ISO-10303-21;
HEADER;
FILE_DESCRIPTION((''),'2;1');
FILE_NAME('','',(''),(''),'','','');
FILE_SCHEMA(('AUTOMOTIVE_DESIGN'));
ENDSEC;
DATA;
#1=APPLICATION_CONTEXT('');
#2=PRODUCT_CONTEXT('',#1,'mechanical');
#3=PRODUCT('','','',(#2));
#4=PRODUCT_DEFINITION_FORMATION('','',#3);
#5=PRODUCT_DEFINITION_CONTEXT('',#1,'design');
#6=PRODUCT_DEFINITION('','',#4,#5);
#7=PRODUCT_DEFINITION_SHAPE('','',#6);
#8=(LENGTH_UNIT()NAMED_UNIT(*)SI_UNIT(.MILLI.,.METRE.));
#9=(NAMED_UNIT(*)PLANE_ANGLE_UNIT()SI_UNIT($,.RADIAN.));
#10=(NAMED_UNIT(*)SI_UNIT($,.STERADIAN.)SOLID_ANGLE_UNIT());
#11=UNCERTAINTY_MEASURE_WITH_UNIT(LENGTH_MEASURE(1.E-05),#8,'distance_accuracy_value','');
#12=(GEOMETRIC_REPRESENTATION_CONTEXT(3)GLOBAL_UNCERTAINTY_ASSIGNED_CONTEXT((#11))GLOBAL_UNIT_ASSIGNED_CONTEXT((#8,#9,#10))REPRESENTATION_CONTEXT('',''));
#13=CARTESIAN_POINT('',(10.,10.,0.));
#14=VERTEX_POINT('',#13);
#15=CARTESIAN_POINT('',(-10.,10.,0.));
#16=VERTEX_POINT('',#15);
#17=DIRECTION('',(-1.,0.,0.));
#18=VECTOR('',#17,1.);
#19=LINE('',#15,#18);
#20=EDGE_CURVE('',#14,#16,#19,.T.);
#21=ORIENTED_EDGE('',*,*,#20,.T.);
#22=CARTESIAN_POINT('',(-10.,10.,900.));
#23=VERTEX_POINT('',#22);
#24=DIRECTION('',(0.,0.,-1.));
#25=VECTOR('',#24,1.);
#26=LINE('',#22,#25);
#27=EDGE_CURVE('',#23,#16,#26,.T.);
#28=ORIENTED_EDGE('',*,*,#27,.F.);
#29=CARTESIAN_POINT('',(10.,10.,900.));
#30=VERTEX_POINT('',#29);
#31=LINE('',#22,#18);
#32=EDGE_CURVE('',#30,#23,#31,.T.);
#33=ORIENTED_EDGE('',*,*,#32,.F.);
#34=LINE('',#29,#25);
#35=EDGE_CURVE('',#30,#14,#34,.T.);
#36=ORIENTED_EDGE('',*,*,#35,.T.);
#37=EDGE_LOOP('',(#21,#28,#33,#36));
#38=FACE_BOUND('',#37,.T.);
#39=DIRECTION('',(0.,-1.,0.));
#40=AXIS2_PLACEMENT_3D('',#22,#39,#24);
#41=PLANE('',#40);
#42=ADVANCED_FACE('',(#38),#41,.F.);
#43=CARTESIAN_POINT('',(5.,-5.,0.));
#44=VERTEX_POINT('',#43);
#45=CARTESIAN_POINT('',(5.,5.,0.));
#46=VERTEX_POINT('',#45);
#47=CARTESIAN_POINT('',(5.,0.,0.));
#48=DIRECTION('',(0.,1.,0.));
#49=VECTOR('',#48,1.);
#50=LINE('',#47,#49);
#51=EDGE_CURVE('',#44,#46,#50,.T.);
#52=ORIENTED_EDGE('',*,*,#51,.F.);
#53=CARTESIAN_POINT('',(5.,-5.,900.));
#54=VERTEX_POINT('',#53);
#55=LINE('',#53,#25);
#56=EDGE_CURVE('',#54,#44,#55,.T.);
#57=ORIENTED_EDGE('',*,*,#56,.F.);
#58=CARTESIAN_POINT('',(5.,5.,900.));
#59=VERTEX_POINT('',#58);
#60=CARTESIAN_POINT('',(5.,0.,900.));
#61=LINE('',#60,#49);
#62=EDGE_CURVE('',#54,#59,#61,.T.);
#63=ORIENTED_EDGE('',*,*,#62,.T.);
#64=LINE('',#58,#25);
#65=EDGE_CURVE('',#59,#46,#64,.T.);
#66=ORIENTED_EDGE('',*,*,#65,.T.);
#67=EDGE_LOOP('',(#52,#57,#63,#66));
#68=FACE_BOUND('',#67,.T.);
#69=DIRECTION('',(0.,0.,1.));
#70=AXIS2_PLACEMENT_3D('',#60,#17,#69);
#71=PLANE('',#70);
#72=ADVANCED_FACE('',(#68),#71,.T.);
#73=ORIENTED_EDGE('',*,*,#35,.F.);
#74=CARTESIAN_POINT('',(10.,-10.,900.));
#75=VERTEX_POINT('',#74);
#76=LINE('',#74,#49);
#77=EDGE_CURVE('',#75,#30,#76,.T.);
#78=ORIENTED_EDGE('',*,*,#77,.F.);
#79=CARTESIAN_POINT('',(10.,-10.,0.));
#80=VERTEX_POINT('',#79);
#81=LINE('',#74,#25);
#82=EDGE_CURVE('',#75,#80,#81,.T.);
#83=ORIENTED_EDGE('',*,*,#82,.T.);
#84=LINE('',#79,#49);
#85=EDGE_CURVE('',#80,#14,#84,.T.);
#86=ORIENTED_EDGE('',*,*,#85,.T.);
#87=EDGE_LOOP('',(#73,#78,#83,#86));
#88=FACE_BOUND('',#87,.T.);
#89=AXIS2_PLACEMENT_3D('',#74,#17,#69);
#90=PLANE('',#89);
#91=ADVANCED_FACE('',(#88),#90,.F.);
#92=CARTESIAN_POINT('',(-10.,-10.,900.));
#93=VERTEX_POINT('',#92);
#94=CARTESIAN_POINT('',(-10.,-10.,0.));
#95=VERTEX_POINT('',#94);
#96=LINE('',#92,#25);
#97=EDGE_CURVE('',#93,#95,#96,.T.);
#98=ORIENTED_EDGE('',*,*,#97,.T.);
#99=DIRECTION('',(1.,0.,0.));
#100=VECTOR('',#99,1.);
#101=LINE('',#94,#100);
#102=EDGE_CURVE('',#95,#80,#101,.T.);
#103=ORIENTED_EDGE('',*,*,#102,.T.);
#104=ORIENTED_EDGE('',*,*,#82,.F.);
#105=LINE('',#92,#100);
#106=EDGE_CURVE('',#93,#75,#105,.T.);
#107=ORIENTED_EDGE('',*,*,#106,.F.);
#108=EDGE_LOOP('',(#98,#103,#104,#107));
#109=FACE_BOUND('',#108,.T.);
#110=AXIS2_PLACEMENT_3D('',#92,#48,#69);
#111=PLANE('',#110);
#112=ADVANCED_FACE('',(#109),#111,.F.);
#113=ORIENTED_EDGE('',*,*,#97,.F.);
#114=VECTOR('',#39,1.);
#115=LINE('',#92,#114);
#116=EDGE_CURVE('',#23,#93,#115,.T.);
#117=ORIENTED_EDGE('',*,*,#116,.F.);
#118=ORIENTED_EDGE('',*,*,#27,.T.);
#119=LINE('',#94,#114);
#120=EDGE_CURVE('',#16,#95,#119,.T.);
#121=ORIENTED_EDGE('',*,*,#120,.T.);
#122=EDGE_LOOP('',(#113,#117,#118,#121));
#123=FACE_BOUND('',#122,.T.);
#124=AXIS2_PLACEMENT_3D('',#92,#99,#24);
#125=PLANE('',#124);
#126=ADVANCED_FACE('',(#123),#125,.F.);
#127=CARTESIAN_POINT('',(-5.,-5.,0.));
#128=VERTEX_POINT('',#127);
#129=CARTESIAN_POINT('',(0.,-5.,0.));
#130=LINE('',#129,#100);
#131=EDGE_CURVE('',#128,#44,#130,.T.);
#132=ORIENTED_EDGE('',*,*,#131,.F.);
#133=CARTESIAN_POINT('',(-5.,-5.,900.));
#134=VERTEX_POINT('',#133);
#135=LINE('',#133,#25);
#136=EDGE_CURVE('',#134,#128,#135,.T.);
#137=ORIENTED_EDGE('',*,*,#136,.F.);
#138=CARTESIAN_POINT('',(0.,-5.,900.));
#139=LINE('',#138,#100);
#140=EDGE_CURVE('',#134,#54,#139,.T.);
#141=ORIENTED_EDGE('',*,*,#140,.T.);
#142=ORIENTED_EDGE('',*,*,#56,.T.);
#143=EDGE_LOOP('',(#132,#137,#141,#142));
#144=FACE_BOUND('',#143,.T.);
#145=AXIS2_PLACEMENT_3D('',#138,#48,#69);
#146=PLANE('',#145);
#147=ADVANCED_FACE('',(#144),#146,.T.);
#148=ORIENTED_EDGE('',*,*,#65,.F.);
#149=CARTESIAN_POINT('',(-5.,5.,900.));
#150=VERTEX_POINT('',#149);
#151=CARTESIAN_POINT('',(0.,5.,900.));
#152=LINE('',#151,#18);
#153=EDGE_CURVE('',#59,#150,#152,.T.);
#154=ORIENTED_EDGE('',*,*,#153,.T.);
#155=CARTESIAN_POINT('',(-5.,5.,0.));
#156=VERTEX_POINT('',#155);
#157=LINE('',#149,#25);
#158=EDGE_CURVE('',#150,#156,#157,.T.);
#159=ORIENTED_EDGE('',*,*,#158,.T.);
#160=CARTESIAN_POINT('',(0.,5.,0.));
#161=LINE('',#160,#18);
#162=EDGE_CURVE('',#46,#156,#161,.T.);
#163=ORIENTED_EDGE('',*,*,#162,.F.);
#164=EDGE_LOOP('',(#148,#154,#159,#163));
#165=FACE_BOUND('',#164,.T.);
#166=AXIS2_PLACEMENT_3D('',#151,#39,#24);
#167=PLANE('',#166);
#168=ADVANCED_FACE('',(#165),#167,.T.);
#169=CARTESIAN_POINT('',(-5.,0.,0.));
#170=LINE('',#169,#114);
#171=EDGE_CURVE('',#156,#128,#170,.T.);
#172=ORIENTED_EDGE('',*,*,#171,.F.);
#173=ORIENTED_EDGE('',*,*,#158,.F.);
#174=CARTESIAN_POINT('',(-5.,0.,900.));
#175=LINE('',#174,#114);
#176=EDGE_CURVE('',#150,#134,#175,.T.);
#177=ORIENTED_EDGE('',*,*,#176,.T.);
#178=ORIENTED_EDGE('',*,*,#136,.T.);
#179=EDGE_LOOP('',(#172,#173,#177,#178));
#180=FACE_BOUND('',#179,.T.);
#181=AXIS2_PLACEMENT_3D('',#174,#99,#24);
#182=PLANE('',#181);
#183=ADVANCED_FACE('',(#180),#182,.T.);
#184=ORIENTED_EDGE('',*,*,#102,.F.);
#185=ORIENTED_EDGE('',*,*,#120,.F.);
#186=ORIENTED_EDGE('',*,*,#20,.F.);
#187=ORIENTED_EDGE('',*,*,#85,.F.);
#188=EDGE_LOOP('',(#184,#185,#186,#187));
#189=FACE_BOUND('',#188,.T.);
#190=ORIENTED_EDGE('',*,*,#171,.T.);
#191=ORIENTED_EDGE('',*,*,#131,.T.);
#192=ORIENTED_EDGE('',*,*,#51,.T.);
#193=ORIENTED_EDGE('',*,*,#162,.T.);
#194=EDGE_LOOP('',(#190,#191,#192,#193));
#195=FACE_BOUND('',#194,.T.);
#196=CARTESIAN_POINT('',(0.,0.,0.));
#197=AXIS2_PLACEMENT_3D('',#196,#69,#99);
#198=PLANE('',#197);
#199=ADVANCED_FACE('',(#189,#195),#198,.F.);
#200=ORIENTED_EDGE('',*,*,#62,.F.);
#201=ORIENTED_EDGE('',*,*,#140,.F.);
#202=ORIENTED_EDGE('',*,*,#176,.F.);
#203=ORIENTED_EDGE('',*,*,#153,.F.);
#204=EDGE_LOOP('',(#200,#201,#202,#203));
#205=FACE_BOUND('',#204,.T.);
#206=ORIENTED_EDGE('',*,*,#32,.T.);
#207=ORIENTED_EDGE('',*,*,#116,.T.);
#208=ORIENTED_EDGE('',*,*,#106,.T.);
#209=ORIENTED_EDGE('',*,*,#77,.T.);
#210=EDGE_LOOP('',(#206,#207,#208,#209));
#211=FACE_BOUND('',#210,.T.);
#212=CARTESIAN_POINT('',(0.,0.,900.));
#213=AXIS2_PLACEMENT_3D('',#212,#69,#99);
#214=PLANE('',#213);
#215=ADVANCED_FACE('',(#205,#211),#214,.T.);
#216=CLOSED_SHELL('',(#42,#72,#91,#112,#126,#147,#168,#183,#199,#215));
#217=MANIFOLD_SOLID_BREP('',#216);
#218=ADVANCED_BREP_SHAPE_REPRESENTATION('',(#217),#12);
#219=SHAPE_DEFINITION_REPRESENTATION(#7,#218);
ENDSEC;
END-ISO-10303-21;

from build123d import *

# Parameters (mm, degrees)
SKETCH1_W           = 20
SKETCH1_H           = 20
SKETCH1_W_2         = 10
SKETCH1_H_2         = 10
EXTRUDE_THIN1_DEPTH = 900


with BuildPart() as part:
    # Sketch1 → Extrude-Thin1 (new body)
    with BuildSketch(Plane.XY):
        Rectangle(SKETCH1_W, SKETCH1_H)
        Rectangle(SKETCH1_W_2, SKETCH1_H_2, mode=Mode.SUBTRACT)
    extrude(amount=EXTRUDE_THIN1_DEPTH)


solid = part.part
